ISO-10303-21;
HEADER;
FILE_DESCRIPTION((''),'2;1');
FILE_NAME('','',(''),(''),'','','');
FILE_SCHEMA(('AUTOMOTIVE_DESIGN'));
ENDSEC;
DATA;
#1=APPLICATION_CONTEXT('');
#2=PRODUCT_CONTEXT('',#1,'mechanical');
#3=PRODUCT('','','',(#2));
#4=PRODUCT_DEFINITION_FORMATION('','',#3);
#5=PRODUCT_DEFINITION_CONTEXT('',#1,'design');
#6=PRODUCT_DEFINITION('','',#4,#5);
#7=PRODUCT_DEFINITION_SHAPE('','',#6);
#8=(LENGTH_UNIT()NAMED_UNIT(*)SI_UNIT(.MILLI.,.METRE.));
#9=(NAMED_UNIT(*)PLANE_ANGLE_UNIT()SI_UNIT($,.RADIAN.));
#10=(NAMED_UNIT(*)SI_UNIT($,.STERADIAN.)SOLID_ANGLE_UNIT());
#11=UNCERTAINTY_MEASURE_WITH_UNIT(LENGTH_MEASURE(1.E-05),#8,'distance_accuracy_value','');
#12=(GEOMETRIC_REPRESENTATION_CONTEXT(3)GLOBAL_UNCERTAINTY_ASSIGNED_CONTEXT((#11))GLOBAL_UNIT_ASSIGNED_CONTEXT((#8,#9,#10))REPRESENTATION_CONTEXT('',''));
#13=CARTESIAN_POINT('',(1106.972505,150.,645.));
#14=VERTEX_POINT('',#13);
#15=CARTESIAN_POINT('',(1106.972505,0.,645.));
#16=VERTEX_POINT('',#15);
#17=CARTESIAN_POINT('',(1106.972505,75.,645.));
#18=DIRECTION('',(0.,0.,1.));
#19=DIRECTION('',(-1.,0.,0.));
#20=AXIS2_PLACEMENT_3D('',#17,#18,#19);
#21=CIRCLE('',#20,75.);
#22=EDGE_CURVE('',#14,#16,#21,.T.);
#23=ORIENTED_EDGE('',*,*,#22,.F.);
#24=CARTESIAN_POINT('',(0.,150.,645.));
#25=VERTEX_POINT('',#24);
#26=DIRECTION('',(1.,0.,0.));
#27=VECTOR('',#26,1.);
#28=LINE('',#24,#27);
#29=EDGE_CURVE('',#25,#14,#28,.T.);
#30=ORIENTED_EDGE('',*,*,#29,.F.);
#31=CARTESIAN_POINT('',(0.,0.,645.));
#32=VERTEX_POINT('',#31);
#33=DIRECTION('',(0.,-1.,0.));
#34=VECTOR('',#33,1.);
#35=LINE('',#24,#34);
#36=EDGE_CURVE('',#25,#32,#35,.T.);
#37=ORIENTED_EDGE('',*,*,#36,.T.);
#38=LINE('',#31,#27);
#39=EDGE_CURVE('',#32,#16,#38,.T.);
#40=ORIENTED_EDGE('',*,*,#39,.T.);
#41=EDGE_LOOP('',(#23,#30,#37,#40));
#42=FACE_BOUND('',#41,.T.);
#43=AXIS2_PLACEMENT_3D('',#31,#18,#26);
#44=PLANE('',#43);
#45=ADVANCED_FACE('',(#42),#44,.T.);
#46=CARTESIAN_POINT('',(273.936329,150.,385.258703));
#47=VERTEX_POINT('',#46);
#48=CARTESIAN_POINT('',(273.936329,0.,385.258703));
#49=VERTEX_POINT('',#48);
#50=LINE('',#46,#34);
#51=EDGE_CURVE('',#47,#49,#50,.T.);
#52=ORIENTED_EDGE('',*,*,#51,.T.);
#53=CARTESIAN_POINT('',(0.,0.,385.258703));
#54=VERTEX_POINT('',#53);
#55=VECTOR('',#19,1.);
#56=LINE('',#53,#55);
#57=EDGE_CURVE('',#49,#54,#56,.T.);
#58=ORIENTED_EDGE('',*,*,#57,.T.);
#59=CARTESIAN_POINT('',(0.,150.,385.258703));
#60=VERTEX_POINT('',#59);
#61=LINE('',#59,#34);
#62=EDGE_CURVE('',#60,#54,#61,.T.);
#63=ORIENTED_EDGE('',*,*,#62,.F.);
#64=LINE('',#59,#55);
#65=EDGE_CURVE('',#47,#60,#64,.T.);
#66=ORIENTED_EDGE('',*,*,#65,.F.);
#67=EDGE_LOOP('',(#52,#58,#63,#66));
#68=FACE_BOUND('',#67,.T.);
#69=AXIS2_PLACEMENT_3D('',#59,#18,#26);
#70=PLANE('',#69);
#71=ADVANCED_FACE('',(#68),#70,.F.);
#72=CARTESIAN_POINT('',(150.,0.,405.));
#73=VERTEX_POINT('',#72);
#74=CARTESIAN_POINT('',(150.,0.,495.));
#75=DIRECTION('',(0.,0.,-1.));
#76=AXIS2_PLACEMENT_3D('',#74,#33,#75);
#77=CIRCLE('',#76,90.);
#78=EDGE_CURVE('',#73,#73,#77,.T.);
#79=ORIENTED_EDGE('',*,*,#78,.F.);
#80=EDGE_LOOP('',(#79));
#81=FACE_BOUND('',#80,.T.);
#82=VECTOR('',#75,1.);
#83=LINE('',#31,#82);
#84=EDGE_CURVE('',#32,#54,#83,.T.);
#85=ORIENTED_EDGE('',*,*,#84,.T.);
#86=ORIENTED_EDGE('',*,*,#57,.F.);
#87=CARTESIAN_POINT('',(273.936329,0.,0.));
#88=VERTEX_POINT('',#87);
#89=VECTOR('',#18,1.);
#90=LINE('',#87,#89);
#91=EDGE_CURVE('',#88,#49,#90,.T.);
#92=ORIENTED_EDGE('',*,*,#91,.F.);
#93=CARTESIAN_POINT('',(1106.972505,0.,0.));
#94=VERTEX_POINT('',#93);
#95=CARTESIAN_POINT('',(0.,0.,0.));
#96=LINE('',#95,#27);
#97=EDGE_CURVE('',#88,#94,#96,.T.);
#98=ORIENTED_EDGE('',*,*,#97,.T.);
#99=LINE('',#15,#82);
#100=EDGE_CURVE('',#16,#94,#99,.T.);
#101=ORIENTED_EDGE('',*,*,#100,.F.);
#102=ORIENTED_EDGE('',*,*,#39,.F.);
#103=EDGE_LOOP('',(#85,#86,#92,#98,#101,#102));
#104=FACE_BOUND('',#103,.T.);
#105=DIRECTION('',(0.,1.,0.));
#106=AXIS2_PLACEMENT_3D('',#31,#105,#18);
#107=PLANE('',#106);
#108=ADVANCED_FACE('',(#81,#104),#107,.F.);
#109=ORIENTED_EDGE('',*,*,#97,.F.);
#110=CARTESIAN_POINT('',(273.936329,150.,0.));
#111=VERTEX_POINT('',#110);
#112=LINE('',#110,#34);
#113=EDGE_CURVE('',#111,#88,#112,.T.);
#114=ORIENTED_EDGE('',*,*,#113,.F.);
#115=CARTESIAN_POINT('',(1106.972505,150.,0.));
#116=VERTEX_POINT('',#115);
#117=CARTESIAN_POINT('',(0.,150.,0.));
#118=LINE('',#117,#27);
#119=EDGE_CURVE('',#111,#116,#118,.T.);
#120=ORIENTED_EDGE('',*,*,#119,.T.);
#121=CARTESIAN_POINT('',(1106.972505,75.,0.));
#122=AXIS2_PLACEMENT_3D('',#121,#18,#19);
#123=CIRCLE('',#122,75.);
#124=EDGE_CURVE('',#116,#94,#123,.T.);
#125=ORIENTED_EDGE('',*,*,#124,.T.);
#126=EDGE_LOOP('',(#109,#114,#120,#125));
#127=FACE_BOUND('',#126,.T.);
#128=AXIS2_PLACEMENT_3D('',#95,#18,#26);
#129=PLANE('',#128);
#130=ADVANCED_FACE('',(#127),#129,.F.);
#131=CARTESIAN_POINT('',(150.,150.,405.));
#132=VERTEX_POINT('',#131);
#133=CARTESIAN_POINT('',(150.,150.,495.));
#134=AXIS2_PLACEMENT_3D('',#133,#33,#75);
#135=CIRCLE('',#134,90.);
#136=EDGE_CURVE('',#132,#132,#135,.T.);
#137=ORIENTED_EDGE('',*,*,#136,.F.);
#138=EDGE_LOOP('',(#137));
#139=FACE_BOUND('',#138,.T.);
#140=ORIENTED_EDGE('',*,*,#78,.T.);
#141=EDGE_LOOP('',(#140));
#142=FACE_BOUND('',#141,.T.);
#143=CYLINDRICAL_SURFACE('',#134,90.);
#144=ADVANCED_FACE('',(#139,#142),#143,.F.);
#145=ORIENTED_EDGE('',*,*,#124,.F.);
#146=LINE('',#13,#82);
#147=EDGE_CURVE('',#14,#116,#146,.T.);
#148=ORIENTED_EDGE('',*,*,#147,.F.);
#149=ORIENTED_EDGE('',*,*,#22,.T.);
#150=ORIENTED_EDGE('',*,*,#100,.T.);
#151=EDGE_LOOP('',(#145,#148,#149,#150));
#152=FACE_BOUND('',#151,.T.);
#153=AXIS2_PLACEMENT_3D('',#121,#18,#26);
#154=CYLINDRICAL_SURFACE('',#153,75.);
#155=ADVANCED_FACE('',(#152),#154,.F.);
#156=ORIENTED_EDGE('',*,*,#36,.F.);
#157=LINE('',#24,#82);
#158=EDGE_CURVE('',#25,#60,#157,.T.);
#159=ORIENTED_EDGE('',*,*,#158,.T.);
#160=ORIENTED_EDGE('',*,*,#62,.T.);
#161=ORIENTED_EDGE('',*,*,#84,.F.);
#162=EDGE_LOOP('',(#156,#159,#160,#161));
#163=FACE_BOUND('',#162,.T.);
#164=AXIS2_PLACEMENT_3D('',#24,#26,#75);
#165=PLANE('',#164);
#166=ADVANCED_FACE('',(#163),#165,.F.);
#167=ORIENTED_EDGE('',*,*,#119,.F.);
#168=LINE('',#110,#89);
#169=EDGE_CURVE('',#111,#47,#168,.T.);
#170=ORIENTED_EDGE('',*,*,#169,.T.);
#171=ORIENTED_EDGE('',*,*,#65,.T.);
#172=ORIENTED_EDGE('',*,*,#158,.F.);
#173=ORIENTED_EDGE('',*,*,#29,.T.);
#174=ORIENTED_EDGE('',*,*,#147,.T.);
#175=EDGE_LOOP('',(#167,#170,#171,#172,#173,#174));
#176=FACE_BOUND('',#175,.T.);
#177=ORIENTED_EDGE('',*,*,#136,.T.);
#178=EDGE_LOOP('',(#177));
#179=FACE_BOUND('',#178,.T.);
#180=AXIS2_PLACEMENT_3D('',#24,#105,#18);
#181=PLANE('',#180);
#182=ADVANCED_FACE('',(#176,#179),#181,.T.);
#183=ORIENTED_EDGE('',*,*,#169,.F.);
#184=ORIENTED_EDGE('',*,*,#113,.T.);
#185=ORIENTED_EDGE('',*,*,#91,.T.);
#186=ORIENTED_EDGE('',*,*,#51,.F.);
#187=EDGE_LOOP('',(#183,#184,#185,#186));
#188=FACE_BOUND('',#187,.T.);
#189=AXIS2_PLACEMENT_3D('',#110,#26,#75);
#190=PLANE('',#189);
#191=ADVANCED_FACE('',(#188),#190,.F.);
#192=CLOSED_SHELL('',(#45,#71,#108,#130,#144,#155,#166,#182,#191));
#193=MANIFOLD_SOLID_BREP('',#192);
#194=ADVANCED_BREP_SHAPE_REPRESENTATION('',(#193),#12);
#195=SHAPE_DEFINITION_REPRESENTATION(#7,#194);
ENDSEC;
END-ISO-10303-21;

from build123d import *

# Parameters (mm, degrees)
SKETCH1_W           = 1106.97250468
SKETCH1_H           = 150
BOSS_EXTRUDE1_DEPTH = 645
SKETCH2_R           = 90
CUT_EXTRUDE1_DEPTH  = 1290.927566229
SKETCH3_W           = 273.936328983
SKETCH3_H           = 385.258703225
CUT_EXTRUDE2_DEPTH  = 1290.927566229
CUT_EXTRUDE3_DEPTH  = 1290.927566229


with BuildPart() as part:
    # Sketch1 → Boss-Extrude1 (new body)
    with BuildSketch(Plane.XY):
        with Locations((553.48625234, 75)):
            Rectangle(SKETCH1_W, SKETCH1_H)
    extrude(amount=BOSS_EXTRUDE1_DEPTH)

    # Sketch2 → Cut-Extrude1 (cut, through all)
    with BuildSketch(Plane.XZ):
        with Locations(Location((150, 495, 0), (0, 0, 270))):
            Circle(SKETCH2_R)
    extrude(amount=-CUT_EXTRUDE1_DEPTH, mode=Mode.SUBTRACT)

    # Sketch3 → Cut-Extrude2 (cut, through all)
    with BuildSketch(Plane.XZ):
        with Locations((136.968164492, 192.629351613)):
            Rectangle(SKETCH3_W, SKETCH3_H)
    extrude(amount=-CUT_EXTRUDE2_DEPTH, mode=Mode.SUBTRACT)

    # Sketch5 → Cut-Extrude3 (cut, through all)
    with BuildSketch(Plane.XY.offset(645)):
        with BuildLine():
            Line((1106.97250468, 150), (1106.97250468, 0))
            ThreePointArc((1106.97250468, 0), (1031.97250468, 75), (1106.97250468, 150))
        make_face()
    extrude(amount=-CUT_EXTRUDE3_DEPTH, mode=Mode.SUBTRACT)


solid = part.part
